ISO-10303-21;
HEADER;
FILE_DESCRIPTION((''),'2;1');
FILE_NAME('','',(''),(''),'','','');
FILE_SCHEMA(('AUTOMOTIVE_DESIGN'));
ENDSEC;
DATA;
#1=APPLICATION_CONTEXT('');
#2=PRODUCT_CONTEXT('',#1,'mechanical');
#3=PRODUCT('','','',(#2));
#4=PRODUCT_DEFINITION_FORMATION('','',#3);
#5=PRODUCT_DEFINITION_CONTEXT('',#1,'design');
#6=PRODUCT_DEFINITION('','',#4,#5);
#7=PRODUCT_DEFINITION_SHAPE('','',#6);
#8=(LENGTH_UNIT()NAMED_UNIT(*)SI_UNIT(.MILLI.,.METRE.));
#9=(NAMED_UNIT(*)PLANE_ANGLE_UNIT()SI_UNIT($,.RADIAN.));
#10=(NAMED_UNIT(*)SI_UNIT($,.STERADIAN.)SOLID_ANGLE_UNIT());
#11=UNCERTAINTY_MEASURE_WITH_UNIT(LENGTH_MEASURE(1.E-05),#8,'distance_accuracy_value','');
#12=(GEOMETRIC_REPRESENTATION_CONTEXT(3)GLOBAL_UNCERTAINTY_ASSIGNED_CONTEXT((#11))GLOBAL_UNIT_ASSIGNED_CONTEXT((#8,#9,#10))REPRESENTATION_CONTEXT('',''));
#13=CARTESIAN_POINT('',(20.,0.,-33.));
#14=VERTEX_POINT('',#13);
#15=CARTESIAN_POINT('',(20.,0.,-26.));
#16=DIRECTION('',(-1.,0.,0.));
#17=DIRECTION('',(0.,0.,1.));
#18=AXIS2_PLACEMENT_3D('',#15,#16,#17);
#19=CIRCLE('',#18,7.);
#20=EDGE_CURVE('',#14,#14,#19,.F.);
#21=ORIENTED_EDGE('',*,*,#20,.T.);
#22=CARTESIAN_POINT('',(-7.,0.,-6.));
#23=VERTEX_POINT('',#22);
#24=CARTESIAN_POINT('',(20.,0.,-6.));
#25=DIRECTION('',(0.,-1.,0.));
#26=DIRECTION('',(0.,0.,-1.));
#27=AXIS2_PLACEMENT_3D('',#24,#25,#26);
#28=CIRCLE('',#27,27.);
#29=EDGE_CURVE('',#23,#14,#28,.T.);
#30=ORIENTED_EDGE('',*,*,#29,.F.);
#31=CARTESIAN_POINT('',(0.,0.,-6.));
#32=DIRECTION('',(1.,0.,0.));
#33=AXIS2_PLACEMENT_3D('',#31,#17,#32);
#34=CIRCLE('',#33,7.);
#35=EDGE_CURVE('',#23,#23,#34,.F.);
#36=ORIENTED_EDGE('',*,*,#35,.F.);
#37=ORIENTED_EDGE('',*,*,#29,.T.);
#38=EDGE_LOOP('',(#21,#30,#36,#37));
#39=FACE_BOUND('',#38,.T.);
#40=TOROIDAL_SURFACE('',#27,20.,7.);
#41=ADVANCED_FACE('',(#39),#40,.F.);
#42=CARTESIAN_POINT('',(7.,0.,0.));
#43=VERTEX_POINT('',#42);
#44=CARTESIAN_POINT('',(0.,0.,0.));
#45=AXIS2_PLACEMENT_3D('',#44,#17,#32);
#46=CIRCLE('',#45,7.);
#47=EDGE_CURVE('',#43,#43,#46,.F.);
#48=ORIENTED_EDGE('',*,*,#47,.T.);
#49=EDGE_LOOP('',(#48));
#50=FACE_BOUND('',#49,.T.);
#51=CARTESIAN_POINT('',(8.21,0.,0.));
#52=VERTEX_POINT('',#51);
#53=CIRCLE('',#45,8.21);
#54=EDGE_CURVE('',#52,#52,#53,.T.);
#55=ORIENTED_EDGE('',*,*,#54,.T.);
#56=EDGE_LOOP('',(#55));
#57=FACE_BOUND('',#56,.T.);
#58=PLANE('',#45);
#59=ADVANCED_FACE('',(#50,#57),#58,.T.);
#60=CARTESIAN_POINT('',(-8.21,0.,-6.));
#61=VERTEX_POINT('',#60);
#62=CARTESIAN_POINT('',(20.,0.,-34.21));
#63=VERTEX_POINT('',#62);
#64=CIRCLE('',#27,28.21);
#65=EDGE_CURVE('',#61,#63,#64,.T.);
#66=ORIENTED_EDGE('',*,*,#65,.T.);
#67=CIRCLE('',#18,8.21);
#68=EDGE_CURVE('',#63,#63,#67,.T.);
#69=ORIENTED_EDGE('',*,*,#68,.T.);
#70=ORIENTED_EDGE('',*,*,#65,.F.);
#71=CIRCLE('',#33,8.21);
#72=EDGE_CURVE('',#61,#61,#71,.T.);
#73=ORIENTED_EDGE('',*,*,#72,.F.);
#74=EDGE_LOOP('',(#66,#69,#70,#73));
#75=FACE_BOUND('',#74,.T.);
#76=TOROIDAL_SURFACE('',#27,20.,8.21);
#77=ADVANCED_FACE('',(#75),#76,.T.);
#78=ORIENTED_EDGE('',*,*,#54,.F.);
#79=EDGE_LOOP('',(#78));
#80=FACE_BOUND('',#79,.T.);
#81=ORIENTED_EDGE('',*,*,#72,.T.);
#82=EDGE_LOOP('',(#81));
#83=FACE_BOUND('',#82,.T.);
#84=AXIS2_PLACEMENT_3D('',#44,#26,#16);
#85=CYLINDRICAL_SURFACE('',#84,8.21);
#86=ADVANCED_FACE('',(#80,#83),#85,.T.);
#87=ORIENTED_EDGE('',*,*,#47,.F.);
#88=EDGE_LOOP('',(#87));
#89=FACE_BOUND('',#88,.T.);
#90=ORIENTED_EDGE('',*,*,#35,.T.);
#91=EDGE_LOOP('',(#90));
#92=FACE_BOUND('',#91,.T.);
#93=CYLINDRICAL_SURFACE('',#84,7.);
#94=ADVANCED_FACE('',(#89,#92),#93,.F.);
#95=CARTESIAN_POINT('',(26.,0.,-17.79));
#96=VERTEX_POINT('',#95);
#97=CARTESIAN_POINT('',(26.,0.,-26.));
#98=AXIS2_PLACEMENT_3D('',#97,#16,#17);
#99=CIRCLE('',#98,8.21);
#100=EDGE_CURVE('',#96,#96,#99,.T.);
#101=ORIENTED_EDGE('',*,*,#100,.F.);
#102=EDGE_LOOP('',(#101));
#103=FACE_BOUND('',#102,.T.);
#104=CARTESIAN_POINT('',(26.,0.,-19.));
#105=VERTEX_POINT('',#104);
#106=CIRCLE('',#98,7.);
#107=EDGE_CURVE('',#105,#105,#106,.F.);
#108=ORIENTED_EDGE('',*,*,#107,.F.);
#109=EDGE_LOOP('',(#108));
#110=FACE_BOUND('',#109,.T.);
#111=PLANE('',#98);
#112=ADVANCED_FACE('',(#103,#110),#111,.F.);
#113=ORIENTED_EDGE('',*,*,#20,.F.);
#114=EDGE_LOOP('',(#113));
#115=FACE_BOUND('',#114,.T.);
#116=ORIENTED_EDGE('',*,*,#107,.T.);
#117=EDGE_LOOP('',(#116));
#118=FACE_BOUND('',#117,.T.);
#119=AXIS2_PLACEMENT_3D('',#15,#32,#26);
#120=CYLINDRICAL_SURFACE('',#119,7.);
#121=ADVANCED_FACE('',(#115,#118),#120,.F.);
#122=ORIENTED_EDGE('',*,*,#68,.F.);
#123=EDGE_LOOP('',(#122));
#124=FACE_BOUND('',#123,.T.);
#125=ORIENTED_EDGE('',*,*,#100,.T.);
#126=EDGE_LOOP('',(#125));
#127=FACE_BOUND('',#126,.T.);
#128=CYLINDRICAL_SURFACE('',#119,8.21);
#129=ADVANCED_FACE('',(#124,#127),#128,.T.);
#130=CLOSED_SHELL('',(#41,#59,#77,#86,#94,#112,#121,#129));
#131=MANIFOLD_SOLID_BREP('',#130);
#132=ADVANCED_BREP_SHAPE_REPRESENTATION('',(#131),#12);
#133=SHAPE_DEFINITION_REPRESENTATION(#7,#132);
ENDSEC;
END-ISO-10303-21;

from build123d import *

# Parameters (mm, degrees)
SKETCH1_R   = 8.21
SKETCH1_R_2 = 7


with BuildPart() as part:
    # Sweep1: sweep along a path in Sketch2
    with BuildLine(Plane(origin=(0, 0, 0), x_dir=(1, 0, 0), z_dir=(0, 1, 0))) as sweep1_path:
        Line((26, 26), (20, 26))
        ThreePointArc((20, 26), (5.857864376, 20.142135624), (0, 6))
        Line((0, 6), (0, 0))
    # Sketch1 → Sweep1 (sweep)
    with BuildSketch(Plane.XY):
        Circle(SKETCH1_R)
        Circle(SKETCH1_R_2, mode=Mode.SUBTRACT)
    sweep(path=sweep1_path.line)


solid = part.part
